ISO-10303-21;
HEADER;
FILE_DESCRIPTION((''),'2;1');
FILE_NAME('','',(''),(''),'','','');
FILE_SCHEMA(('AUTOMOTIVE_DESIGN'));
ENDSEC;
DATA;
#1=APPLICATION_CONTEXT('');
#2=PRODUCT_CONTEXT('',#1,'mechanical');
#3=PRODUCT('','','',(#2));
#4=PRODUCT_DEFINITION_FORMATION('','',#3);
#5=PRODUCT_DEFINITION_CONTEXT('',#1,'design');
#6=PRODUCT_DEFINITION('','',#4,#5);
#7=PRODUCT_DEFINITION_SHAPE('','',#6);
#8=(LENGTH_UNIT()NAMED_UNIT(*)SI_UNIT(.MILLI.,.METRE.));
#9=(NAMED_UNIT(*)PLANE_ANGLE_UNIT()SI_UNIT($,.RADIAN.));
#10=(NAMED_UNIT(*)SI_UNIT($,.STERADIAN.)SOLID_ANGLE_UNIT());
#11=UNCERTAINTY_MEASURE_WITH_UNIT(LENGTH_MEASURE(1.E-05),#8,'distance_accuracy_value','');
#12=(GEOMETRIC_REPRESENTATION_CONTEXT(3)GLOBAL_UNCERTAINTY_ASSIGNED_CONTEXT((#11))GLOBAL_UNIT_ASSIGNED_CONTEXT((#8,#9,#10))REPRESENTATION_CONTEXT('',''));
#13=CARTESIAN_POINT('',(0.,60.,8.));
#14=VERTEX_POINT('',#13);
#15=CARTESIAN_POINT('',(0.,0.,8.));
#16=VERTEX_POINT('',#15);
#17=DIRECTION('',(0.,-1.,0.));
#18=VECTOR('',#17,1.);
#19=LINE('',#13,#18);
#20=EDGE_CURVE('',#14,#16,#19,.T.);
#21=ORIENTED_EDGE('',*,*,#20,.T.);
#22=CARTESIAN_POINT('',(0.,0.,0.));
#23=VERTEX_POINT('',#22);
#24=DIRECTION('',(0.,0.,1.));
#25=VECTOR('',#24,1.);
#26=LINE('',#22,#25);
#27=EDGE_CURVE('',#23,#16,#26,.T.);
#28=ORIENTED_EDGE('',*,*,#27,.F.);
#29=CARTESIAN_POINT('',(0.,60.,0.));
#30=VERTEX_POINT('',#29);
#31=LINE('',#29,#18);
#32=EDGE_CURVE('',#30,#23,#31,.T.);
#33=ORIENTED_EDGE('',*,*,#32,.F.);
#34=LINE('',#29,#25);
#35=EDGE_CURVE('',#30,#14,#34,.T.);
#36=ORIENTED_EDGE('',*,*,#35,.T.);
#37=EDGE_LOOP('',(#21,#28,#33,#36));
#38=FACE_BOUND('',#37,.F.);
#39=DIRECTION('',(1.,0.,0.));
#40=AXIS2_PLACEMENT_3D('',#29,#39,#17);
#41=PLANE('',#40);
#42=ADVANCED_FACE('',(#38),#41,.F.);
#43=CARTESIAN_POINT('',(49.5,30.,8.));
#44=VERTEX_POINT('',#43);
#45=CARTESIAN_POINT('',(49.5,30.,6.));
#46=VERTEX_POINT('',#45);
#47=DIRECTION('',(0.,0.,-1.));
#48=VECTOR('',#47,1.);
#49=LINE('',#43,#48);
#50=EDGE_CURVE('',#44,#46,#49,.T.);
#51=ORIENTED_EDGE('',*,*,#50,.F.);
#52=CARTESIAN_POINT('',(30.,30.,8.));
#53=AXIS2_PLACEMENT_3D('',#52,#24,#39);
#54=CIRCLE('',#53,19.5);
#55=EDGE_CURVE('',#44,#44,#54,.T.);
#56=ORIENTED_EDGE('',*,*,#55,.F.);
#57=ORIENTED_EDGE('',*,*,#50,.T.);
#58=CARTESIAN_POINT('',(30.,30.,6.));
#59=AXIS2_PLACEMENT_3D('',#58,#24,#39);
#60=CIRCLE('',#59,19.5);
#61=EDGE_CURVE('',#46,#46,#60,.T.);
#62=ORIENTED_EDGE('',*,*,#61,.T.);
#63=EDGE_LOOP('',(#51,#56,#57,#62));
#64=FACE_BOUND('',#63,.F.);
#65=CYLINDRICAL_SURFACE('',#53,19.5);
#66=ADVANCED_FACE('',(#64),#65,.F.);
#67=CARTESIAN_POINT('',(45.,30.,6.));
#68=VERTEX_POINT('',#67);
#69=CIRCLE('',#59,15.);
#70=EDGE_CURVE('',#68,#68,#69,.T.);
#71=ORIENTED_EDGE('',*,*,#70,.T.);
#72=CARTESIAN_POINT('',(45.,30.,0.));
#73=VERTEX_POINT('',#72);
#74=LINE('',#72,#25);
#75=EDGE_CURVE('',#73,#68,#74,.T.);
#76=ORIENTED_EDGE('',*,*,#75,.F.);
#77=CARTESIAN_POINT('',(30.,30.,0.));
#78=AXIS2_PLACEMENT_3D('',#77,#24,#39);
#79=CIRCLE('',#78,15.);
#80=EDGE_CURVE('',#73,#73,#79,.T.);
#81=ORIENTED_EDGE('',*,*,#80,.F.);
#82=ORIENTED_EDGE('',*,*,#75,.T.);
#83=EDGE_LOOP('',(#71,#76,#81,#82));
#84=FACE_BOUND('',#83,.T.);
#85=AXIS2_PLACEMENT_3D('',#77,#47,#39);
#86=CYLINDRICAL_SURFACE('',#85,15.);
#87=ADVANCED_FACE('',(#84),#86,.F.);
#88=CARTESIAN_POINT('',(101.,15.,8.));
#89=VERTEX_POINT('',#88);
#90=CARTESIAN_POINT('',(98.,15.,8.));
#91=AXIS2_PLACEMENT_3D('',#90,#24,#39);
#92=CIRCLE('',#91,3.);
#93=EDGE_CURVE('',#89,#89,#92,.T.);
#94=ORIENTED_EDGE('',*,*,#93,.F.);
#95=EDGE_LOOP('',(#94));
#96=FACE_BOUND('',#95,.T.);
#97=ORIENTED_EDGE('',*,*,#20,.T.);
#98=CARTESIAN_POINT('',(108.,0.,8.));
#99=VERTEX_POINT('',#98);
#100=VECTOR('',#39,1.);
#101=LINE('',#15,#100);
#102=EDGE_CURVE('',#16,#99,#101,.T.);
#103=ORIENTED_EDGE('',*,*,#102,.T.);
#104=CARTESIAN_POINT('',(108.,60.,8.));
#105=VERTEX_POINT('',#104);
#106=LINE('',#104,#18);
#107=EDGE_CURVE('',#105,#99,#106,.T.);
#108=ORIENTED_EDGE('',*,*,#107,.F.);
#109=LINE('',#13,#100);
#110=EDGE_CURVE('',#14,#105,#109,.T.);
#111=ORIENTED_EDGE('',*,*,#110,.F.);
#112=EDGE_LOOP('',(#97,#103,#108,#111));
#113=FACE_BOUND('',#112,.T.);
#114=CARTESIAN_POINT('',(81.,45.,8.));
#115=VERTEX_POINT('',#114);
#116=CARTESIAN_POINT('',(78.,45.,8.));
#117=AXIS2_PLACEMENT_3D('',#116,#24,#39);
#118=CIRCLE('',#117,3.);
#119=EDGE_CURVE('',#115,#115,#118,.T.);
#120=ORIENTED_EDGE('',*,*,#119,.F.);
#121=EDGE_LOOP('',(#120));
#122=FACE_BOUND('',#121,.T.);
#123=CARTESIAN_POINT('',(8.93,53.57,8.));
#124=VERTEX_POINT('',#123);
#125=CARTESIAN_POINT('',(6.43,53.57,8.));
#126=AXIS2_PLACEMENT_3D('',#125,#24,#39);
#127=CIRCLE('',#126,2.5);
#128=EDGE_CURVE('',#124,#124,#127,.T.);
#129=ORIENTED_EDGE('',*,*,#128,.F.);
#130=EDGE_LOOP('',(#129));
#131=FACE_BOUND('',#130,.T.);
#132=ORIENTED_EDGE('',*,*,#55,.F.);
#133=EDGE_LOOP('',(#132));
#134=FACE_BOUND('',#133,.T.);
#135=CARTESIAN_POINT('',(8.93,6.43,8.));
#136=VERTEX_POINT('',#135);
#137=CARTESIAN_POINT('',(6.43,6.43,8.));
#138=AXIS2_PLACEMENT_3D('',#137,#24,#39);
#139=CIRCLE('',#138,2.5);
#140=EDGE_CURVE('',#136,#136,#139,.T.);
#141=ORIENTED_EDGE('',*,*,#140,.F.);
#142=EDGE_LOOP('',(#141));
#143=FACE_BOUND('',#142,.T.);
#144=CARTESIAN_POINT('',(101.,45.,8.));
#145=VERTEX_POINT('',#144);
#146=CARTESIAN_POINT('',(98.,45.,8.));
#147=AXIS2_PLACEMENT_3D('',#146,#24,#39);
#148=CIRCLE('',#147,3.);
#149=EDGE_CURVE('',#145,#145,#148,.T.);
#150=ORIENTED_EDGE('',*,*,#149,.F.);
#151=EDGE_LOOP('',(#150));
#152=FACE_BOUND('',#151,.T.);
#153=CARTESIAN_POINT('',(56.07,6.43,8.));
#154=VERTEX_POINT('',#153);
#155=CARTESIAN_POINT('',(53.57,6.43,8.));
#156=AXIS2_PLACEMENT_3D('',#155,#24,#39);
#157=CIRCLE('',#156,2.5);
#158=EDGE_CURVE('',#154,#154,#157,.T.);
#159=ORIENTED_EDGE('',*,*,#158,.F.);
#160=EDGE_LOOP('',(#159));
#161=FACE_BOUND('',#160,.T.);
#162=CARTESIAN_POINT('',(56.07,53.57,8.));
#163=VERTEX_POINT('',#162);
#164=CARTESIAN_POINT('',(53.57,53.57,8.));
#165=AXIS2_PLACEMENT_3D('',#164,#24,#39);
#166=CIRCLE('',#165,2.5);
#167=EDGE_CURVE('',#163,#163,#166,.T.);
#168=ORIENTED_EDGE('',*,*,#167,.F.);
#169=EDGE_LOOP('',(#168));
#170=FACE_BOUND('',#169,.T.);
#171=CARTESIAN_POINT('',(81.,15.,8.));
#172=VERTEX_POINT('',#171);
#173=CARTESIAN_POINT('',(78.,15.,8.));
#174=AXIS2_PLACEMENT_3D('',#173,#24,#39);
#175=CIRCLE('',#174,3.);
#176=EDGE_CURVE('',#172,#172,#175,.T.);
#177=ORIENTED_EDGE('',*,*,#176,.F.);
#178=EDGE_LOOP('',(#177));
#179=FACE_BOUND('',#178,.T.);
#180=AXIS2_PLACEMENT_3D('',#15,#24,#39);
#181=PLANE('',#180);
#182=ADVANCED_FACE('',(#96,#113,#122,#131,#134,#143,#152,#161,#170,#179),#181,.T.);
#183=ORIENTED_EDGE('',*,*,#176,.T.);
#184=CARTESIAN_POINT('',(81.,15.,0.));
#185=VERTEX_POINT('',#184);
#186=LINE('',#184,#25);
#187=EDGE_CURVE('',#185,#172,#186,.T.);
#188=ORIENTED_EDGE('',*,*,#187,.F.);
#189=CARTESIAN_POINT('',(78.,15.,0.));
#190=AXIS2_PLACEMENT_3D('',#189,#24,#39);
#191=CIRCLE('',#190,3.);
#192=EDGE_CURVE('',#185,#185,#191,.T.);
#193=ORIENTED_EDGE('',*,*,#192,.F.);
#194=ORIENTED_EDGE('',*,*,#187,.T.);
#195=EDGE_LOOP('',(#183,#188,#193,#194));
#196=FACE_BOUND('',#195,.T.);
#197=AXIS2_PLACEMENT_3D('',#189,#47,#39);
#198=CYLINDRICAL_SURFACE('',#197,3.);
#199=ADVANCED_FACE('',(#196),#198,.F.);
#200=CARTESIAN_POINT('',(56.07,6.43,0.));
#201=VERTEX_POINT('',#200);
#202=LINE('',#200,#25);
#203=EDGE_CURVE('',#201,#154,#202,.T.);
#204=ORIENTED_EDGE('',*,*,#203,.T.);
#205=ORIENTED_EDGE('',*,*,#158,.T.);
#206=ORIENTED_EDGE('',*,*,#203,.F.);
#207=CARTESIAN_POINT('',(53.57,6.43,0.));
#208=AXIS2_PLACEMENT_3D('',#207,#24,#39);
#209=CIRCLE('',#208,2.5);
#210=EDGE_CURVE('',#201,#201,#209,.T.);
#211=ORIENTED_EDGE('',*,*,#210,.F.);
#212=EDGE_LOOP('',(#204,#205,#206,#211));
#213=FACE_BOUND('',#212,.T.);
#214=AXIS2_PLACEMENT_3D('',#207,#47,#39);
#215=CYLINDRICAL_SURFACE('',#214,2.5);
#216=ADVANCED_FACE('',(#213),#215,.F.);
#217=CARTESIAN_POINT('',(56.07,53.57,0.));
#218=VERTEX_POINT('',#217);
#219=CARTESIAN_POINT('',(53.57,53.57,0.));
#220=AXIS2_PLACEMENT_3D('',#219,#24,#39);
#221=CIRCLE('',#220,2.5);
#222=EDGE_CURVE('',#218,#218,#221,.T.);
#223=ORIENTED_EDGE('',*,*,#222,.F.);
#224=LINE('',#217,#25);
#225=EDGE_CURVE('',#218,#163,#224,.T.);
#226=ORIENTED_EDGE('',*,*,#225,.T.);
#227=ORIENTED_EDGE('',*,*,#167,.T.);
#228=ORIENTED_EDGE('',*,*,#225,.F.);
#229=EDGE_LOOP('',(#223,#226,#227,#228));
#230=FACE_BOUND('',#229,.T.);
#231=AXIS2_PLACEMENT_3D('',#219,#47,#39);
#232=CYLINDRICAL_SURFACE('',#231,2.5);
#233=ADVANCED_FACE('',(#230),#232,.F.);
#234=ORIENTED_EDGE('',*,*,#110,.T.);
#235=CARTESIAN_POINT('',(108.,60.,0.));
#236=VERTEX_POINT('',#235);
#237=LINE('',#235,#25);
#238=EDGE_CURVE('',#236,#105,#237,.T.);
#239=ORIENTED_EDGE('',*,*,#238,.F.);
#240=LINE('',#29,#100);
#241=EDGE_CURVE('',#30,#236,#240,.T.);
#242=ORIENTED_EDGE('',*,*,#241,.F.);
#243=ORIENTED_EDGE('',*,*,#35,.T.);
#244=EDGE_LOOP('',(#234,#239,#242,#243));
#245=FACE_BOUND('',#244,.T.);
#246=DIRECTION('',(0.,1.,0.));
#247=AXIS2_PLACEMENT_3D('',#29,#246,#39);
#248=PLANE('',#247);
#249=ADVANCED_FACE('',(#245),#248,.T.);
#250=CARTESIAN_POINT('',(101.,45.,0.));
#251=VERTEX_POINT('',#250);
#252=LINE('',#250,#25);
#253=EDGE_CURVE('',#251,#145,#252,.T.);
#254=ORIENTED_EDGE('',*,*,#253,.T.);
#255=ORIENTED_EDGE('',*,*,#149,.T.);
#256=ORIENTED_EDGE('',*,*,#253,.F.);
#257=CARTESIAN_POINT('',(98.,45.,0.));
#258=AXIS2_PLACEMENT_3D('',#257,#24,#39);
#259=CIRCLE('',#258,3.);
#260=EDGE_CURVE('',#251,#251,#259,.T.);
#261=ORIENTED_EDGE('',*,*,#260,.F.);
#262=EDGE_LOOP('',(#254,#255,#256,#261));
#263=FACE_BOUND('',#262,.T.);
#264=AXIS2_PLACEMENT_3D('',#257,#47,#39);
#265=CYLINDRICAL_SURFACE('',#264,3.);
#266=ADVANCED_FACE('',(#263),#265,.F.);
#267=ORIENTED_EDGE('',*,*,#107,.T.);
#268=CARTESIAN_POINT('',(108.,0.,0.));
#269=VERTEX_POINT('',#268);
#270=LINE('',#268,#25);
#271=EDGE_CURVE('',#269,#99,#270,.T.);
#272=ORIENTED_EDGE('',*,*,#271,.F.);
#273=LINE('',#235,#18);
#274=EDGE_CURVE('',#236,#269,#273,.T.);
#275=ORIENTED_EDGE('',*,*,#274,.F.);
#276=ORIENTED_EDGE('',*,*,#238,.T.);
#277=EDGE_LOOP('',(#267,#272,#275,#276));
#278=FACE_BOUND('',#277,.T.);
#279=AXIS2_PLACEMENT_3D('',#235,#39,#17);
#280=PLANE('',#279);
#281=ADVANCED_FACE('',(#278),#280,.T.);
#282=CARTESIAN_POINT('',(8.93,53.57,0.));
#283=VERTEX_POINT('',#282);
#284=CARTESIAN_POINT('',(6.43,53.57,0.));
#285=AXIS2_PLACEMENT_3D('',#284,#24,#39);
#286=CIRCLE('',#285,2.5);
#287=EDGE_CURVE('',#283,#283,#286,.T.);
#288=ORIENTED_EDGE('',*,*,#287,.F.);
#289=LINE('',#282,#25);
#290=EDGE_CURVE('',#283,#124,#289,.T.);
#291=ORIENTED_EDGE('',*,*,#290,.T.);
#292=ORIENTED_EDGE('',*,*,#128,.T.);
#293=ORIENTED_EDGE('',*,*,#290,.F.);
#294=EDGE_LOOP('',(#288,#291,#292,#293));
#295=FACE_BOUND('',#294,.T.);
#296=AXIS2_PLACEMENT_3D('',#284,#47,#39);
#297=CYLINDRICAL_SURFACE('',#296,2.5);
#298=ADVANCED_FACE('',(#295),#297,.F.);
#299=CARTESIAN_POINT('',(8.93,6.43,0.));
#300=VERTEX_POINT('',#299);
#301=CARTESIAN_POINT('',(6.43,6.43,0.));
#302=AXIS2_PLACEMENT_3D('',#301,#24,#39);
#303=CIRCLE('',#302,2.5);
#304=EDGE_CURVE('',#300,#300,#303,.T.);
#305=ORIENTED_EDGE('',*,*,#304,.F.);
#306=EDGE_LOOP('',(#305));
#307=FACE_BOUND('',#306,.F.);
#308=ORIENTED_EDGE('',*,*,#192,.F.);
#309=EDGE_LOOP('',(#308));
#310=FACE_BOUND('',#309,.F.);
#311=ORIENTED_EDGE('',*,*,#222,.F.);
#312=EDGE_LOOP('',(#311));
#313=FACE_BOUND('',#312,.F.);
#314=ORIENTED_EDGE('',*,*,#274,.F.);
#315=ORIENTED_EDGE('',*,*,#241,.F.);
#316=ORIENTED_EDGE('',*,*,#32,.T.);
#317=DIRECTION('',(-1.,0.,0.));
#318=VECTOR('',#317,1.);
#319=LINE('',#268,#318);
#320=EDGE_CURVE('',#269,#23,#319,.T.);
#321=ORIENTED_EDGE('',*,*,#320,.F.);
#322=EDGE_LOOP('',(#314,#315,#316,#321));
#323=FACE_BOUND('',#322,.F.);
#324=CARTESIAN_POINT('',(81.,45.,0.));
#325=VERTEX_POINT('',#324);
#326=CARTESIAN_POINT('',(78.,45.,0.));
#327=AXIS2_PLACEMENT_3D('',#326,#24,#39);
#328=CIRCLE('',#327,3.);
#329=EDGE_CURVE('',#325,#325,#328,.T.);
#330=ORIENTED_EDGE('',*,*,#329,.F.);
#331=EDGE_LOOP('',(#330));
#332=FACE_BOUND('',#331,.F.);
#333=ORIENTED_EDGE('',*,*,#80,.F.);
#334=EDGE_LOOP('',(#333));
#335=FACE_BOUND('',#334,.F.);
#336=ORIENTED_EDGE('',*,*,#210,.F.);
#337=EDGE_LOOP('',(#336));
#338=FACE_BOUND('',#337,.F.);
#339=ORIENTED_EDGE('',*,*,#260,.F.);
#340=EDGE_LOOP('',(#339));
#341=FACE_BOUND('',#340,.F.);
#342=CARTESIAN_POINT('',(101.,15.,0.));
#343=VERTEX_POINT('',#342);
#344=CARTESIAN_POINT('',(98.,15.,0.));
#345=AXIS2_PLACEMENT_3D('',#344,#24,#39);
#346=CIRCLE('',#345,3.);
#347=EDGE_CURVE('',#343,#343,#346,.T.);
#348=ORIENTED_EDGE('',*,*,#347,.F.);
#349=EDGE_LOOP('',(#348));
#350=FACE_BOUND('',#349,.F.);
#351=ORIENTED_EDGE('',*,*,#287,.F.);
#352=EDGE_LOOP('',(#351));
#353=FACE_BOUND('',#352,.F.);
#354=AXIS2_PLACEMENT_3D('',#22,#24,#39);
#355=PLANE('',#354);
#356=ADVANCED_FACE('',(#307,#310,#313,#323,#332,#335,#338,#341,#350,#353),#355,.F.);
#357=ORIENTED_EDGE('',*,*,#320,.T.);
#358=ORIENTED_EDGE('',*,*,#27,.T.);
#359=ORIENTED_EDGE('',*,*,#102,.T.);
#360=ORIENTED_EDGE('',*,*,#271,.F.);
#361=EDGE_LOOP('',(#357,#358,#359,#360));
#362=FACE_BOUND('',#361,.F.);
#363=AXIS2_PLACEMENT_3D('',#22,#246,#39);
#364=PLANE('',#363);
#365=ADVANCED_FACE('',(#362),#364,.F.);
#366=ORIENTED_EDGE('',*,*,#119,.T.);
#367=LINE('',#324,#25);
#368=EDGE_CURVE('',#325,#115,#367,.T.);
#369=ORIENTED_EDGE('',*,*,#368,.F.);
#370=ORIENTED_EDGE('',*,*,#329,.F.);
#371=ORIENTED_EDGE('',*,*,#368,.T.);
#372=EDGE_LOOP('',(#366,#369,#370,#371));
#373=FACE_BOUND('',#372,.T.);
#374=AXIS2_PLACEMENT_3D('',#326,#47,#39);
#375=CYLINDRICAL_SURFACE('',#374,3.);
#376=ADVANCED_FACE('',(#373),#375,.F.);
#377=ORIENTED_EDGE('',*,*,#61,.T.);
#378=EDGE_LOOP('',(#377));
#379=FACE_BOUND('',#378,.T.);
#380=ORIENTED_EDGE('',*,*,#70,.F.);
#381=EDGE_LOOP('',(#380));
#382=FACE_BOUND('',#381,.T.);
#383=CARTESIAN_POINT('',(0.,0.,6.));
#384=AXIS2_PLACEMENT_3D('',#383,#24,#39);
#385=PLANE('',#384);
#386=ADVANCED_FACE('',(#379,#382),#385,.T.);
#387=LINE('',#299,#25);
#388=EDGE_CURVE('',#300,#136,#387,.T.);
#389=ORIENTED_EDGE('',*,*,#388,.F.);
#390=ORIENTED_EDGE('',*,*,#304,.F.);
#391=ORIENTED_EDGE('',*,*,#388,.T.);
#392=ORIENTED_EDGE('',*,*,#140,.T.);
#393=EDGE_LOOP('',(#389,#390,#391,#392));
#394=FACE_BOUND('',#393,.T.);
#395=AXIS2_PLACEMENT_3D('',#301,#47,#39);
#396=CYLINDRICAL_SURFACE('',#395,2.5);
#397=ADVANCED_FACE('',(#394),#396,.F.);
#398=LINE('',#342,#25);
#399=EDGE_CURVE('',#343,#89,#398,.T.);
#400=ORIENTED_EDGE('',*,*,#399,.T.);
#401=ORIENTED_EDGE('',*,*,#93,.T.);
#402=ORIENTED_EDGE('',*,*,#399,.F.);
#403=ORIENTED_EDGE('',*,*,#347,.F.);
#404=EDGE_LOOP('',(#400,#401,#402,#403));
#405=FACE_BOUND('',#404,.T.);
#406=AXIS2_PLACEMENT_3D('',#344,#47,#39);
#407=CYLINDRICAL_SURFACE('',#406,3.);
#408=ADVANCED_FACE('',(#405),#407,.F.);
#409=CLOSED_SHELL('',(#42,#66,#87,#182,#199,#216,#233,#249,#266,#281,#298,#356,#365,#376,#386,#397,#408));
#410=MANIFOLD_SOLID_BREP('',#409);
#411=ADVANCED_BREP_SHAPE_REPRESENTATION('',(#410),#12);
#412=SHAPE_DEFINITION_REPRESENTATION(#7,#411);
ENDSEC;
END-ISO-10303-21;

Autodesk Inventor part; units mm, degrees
ref_plane "YZ Plane" through (0, 0, 0) normal (1, 0, 0) x (0, 1, 0)
ref_plane "XZ Plane" through (0, 0, 0) normal (0, 1, 0) x (-1, 0, 0)
ref_plane "XY Plane" through (0, 0, 0) normal (0, 0, 1) x (1, 0, 0)
sketch "Szkic1" plane through (0, 0, 0) normal (0, 0, 1) x (1, 0, 0)
  circle A0 centre (30, 30) radius 15
  circle A1 centre (53.57, 6.43) radius 2.5
  circle A2 centre (6.43, 53.57) radius 2.5
  circle A3 centre (6.43, 6.43) radius 2.5
  circle A4 centre (53.57, 53.57) radius 2.5
  line L0 (0, 60) -> (0, 0)
  line L1 (0, 0) -> (78, 0)
  circle A5 centre (78, 45) radius 3
  circle A6 centre (98, 45) radius 3
  circle A7 centre (98, 15) radius 3
  circle A8 centre (78, 15) radius 3
  line L2 (108, 60) -> (108, 0)
  line L3 (0, 60) -> (108, 60)
  line L4 (108, 0) -> (78, 0)
  point P0 (35, 30)
  dimension "d12" = 6.43
  dimension "d13" = 6.43
  dimension "d14" = 47.14
  dimension "d15" = 47.14
  dimension "d16" = 30
  dimension "d17" = 10
  dimension "d18" = 10
  dimension "d19" = 30
  dimension "d20" = 30
  dimension "d21" = 108
extrude "Wyciągnięcie proste1" add sketch "Szkic1" along normal blind 8
thread "Gwint1" size "M5x0.8" class "6H" standard "ANSI Metric M Profile" full length
thread "Gwint2" size "M5x0.8" class "6H" standard "ANSI Metric M Profile" full length
thread "Gwint3" size "M5x0.8" class "6H" standard "ANSI Metric M Profile" full length
thread "Gwint4" size "M5x0.8" class "6H" standard "ANSI Metric M Profile" full length
sketch "Szkic2" plane through (0, 0, 8) normal (0, 0, 1) x (1, 0, 0)
  circle A0 centre (30, 30) radius 19.5
  circle A1 centre (53.57, 53.57) radius 2.5
  circle A2 centre (6.43, 6.43) radius 2.5
  circle A3 centre (6.43, 53.57) radius 2.5
  circle A4 centre (53.57, 6.43) radius 2.5
  line L0 (70, 60) -> (70, 0)
  line L1 (0, 60) -> (70, 60)
  line L2 (0, 0) -> (0, 60)
  line L3 (70, 0) -> (0, 0)
  circle A5 centre (30, 30) radius 15
  circle A6 centre (30, 30) radius 19.5
  circle A7 centre (30, 30) radius 15 projected
  circle A8 centre (78, 15) radius 3 projected
  circle A9 centre (98, 15) radius 3 projected
  circle A10 centre (98, 45) radius 3 projected
  circle A11 centre (78, 45) radius 3 projected
  circle A12 centre (53.57, 53.57) radius 2.5 projected
  circle A13 centre (6.43, 6.43) radius 2.5 projected
  circle A14 centre (6.43, 53.57) radius 2.5 projected
  circle A15 centre (53.57, 6.43) radius 2.5 projected
  line L4 (0, 60) -> (0, 0) projected
  line L5 (0, 0) -> (108, 0) projected
  line L6 (108, 0) -> (108, 60) projected
  line L7 (108, 60) -> (0, 60) projected
  point P0 (35, 30)
extrude "Wyciągnięcie proste2" cut sketch "Szkic2" against normal blind 2 contours A0
properties part number "Uchwyt silnika krokowego osi Y - płaski"
